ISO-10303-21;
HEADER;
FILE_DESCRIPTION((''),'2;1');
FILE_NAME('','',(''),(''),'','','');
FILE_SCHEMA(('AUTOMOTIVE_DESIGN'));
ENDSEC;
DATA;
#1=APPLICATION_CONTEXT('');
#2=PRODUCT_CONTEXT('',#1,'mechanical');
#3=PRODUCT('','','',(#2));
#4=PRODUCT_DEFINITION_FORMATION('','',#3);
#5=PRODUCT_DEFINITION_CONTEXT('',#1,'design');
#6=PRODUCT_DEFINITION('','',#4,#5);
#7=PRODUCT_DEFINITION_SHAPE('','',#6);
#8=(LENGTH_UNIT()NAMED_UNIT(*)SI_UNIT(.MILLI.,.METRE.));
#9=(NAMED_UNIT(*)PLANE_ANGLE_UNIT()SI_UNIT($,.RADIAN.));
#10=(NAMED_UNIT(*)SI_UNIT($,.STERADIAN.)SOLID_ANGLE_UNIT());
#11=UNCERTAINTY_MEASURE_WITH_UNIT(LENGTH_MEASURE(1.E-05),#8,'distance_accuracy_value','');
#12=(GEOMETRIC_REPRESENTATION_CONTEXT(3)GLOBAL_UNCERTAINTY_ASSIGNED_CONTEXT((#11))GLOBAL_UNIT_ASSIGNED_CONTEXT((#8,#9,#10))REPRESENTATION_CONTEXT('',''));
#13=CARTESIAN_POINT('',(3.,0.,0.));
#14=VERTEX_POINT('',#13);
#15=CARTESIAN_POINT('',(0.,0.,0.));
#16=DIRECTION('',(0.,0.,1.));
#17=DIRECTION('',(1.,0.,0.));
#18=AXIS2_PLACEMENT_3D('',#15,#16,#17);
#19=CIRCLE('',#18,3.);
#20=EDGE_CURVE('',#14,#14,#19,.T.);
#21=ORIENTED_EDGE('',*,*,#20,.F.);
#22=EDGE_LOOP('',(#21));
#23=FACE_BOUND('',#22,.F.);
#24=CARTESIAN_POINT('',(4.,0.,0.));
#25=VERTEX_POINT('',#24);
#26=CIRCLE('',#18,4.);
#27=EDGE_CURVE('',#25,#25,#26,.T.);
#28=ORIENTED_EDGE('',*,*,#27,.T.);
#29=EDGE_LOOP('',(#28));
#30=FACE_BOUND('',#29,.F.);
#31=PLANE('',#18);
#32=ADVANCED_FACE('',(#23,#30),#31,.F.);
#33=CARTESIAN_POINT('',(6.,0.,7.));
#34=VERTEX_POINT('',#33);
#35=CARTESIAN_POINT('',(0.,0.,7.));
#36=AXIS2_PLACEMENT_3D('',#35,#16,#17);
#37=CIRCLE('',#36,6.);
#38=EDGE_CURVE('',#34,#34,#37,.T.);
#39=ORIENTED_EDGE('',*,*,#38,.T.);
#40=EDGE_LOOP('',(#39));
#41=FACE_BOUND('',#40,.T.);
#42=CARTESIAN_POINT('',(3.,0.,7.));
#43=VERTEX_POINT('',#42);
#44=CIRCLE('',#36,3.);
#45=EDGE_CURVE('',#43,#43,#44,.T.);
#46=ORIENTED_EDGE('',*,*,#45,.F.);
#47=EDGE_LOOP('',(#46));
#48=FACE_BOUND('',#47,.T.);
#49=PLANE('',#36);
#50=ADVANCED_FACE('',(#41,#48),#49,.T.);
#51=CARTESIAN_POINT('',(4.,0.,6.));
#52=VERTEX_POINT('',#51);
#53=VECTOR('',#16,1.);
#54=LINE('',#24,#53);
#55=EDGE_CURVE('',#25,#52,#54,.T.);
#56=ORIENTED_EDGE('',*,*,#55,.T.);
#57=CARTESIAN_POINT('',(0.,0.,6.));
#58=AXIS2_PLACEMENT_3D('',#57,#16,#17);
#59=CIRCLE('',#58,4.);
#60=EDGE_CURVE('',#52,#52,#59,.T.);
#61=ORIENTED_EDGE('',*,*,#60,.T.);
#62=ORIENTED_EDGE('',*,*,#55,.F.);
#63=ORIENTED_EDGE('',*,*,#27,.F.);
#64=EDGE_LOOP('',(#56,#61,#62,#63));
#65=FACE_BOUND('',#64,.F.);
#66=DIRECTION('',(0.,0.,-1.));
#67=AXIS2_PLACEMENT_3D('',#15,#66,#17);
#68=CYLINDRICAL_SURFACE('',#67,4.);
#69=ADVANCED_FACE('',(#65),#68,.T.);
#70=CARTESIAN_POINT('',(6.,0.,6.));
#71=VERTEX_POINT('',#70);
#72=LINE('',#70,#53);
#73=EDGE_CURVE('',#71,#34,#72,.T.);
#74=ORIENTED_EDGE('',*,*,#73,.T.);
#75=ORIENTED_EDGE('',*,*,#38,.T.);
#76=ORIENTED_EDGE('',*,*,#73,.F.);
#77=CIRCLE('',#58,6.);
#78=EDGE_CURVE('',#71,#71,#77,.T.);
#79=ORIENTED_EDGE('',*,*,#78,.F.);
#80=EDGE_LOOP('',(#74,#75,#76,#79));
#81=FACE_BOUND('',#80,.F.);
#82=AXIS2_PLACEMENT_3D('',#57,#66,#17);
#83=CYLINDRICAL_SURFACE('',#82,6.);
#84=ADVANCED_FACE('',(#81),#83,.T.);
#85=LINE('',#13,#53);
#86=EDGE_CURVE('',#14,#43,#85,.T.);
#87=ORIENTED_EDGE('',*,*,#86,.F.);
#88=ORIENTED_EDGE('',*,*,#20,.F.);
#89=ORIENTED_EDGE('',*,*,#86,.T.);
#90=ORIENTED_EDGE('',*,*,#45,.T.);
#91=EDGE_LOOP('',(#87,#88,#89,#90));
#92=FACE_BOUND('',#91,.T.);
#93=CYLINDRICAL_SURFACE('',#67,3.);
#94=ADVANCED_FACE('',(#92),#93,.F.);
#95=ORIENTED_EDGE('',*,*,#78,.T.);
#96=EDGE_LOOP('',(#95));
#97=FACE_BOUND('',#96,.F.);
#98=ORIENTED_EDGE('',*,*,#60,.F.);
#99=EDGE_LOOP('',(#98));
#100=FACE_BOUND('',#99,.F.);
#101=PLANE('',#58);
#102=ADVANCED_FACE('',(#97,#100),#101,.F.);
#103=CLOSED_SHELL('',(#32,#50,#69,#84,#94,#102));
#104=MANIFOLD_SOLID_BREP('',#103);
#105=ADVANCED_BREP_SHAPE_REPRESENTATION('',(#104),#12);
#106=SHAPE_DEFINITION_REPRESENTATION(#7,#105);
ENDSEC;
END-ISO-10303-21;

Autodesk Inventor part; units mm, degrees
ref_plane "YZ Plane" through (0, 0, 0) normal (1, 0, 0) x (0, 1, 0)
ref_plane "XZ Plane" through (0, 0, 0) normal (0, 1, 0) x (-1, 0, 0)
ref_plane "XY Plane" through (0, 0, 0) normal (0, 0, 1) x (1, 0, 0)
sketch "スケッチ1" plane through (0, 0, 0) normal (0, 0, 1) x (1, 0, 0)
  circle A0 centre (0, 0) radius 3
  circle A1 centre (0, 0) radius 4
  dimension "d0" = 6
  dimension "d1" = 8
extrude "押し出し1" add sketch "スケッチ1" along normal blind 6
sketch "スケッチ2" plane through (0, 0, 6) normal (0, 0, 1) x (1, 0, 0)
  circle A0 centre (0, 0) radius 6
  circle A1 centre (0, 0) radius 3 projected
  dimension "d4" = 12
extrude "押し出し2" add sketch "スケッチ2" along normal blind 1
properties part number "オイレスフランジ付き06080612,1t" material "アセタール樹脂、黒"
